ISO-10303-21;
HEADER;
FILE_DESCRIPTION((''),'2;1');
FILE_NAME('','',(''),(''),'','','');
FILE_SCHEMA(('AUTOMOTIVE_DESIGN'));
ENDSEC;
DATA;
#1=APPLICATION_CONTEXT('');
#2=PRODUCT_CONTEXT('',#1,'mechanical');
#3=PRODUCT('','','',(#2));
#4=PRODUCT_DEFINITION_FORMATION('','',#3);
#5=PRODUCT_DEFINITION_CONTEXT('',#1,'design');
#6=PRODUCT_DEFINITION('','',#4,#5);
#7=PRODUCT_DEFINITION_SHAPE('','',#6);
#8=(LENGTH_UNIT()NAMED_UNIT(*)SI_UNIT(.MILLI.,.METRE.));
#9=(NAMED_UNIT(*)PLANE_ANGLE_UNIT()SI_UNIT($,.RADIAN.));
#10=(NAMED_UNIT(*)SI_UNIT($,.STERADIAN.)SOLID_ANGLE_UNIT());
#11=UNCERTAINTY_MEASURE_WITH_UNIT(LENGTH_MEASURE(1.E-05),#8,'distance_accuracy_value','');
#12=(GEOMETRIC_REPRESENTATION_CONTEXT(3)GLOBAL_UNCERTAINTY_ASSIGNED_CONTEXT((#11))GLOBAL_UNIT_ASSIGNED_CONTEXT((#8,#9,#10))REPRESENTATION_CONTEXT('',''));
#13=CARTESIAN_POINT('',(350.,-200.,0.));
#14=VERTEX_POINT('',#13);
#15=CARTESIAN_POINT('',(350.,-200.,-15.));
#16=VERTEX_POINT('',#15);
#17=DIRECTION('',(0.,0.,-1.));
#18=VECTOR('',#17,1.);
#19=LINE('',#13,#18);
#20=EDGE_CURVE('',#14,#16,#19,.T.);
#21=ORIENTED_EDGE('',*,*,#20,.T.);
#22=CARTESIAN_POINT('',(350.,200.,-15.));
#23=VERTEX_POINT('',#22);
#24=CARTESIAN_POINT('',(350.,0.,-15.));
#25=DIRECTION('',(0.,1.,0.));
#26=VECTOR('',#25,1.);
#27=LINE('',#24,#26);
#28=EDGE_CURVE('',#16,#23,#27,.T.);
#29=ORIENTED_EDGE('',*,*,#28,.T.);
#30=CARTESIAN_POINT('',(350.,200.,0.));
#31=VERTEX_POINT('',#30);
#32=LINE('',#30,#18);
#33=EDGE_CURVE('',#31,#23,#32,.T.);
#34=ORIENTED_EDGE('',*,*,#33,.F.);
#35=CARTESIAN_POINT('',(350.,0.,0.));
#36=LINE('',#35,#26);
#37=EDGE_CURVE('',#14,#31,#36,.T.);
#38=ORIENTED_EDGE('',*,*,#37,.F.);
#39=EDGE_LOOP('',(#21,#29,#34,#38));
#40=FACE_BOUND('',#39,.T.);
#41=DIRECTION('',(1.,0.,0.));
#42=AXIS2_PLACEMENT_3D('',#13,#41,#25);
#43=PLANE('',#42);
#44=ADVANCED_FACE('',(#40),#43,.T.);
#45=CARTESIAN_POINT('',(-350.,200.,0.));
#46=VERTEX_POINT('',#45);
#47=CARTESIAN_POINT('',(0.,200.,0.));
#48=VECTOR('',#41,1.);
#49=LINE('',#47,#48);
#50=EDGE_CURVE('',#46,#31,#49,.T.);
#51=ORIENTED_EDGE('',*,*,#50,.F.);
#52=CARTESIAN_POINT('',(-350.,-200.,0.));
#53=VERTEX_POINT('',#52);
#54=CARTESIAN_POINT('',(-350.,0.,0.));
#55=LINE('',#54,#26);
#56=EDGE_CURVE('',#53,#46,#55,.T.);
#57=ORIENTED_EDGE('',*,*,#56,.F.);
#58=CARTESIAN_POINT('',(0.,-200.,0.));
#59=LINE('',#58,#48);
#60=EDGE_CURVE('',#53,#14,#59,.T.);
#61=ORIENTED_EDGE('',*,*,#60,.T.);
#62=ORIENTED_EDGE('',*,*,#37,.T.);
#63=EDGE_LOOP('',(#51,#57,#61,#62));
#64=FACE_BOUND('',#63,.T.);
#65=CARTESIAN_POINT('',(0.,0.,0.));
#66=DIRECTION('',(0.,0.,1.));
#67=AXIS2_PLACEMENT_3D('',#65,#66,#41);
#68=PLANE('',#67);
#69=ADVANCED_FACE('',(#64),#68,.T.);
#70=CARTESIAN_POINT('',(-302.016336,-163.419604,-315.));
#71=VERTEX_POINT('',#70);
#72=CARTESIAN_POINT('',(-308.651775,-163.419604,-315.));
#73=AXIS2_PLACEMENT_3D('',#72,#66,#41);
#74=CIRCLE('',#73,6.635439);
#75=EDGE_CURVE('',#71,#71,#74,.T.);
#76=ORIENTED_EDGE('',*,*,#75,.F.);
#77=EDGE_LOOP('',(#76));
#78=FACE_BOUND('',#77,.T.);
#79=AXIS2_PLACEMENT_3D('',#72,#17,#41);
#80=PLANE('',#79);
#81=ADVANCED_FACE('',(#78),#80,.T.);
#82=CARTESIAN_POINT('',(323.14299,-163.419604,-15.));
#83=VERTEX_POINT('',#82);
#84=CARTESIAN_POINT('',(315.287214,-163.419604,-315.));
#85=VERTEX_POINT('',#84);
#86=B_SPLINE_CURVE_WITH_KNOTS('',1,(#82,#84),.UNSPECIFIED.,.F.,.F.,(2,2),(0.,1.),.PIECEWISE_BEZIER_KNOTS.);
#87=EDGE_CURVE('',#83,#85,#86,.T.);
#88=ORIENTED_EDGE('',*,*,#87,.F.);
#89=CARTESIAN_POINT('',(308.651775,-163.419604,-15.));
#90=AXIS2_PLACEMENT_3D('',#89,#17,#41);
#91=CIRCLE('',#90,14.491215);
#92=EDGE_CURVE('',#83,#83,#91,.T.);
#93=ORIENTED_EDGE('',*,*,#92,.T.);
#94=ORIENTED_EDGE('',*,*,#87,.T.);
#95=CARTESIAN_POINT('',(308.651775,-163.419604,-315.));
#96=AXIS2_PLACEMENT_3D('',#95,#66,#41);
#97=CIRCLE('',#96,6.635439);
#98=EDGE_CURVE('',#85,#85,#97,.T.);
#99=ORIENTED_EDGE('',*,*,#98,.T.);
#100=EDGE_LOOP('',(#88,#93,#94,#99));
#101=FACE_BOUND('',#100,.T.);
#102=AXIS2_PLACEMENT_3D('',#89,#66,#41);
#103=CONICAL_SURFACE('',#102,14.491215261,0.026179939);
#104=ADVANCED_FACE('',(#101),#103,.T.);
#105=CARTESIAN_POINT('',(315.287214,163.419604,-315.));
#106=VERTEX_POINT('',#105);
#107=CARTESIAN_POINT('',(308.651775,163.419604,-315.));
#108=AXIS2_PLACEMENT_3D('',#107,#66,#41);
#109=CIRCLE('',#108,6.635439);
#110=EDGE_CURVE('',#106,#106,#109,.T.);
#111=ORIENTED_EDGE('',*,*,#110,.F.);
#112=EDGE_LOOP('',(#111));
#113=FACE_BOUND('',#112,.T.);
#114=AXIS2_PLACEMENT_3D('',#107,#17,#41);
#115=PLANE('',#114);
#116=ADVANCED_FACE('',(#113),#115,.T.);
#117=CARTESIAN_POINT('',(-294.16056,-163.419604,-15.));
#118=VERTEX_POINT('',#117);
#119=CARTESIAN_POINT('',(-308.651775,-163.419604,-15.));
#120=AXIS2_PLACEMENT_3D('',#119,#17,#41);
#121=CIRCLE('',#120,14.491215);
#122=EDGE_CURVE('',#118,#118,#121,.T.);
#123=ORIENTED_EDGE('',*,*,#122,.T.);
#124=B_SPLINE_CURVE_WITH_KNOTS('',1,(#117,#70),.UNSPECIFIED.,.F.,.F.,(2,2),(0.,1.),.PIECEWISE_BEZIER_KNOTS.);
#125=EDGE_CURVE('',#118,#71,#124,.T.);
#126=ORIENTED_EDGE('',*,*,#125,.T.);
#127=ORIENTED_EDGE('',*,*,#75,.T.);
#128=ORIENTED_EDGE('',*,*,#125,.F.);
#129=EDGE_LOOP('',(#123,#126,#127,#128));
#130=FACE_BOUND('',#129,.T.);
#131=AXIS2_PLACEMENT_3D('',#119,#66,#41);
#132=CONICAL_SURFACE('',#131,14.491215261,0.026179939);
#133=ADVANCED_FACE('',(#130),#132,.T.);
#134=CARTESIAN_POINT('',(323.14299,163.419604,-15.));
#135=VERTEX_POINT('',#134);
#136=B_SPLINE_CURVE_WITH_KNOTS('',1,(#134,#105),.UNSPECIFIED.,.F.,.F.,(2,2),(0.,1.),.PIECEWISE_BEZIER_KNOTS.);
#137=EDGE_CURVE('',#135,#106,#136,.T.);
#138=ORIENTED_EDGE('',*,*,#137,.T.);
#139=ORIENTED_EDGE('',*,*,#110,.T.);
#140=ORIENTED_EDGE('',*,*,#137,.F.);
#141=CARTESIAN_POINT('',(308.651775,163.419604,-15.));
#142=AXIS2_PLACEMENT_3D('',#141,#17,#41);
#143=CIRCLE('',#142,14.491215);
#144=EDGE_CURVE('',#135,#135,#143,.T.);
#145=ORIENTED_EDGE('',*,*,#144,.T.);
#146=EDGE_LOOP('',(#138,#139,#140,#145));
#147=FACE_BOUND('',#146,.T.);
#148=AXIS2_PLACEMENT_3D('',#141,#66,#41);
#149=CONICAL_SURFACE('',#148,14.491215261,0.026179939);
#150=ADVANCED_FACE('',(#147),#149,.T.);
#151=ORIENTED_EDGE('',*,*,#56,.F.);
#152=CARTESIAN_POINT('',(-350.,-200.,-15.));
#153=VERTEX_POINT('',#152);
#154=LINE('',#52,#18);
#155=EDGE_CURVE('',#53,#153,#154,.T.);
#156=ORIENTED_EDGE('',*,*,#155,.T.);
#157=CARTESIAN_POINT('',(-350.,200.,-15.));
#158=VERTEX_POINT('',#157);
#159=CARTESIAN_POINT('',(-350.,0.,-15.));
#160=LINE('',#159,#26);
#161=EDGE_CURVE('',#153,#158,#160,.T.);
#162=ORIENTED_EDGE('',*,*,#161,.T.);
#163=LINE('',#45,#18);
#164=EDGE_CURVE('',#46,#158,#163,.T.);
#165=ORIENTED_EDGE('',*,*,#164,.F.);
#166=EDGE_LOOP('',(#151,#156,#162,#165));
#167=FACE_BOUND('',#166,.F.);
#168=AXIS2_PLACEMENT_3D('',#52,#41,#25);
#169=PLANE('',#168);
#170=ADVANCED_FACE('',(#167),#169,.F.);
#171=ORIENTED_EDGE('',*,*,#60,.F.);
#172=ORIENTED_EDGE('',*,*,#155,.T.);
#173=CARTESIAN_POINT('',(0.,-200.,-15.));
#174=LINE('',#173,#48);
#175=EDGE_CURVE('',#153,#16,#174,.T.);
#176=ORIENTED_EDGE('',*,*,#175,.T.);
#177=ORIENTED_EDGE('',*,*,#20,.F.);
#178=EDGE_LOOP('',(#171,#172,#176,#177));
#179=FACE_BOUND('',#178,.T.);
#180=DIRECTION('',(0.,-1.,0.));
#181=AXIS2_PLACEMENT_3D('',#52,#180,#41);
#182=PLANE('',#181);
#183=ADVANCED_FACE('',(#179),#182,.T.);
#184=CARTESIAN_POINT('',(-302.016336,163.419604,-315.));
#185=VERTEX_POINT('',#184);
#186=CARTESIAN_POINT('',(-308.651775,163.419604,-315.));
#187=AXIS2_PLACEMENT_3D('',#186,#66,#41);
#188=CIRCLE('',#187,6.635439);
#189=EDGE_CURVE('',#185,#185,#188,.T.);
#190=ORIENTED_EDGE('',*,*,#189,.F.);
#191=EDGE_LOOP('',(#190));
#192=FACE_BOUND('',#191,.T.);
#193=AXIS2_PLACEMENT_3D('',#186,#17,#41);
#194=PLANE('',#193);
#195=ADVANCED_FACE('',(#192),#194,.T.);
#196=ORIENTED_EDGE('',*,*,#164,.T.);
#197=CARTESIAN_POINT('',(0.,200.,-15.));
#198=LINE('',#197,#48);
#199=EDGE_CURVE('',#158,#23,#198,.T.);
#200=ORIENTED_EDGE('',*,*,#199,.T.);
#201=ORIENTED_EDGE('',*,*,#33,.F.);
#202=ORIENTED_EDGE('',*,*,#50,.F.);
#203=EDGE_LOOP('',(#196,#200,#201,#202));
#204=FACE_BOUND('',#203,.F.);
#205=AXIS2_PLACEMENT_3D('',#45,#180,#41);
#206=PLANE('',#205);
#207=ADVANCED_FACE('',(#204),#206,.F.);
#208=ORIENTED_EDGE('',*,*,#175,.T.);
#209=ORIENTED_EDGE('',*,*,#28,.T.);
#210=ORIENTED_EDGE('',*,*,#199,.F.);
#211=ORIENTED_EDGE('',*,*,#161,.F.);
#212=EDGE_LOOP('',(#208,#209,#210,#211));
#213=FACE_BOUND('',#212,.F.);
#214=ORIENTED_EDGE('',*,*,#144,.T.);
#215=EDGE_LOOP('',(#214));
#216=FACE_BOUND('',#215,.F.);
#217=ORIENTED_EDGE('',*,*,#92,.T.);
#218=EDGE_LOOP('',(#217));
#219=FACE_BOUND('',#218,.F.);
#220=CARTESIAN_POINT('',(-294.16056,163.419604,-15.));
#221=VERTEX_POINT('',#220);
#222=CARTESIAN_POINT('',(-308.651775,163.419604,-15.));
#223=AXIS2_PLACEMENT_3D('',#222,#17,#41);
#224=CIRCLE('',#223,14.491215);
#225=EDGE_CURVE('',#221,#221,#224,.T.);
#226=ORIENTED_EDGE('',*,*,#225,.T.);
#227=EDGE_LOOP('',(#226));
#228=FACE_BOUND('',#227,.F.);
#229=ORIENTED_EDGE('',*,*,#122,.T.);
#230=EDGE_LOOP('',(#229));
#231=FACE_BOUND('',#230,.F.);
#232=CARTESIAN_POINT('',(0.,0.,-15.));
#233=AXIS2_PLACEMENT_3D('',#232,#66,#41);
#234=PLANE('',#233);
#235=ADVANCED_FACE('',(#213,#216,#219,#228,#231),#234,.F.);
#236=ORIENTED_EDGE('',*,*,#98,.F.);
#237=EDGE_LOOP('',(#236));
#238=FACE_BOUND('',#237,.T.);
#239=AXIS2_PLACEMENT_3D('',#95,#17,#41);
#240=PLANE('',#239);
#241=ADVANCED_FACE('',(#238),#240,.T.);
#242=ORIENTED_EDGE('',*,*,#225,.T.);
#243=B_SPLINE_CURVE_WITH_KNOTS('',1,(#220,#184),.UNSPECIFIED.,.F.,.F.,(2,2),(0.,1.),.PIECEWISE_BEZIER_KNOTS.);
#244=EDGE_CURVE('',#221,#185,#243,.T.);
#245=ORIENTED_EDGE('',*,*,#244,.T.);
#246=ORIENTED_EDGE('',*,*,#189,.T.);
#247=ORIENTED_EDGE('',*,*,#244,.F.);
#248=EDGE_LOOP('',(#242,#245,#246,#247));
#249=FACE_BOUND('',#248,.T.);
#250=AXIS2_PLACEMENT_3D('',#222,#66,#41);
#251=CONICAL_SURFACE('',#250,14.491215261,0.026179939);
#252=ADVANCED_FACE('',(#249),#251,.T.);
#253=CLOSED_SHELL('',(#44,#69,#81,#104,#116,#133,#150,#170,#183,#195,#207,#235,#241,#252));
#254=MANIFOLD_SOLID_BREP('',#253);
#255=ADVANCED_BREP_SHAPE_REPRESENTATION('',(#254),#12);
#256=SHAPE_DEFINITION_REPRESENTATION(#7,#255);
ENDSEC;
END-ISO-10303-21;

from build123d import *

# Parameters (mm, degrees)
F0_W     = 700
F0_H     = 400
F1_DEPTH = 15
F2_R     = 14.4912152611
F3_DEPTH = 300
F3_TAPER = 1.5


with BuildPart() as f1:
    # F0 (on Top) → F1 (new body)
    with BuildSketch(Plane.XY):
        Rectangle(F0_W, F0_H)
    extrude(amount=-F1_DEPTH)

    # F2 (on face) → F3 (join)
    with BuildSketch(Plane(origin=(0, 0, -15), x_dir=(1, 0, 0), z_dir=(0, 0, -1))):
        with Locations((-308.6517751217, 163.4196043015)):
            Circle(F2_R)
        with Locations((-308.6517751217, -163.4196043015)):
            Circle(F2_R)
        with Locations((308.6517751217, 163.4196043015)):
            Circle(F2_R)
        with Locations((308.6517751217, -163.4196043015)):
            Circle(F2_R)
    extrude(amount=F3_DEPTH, taper=F3_TAPER)


solid = f1.part
